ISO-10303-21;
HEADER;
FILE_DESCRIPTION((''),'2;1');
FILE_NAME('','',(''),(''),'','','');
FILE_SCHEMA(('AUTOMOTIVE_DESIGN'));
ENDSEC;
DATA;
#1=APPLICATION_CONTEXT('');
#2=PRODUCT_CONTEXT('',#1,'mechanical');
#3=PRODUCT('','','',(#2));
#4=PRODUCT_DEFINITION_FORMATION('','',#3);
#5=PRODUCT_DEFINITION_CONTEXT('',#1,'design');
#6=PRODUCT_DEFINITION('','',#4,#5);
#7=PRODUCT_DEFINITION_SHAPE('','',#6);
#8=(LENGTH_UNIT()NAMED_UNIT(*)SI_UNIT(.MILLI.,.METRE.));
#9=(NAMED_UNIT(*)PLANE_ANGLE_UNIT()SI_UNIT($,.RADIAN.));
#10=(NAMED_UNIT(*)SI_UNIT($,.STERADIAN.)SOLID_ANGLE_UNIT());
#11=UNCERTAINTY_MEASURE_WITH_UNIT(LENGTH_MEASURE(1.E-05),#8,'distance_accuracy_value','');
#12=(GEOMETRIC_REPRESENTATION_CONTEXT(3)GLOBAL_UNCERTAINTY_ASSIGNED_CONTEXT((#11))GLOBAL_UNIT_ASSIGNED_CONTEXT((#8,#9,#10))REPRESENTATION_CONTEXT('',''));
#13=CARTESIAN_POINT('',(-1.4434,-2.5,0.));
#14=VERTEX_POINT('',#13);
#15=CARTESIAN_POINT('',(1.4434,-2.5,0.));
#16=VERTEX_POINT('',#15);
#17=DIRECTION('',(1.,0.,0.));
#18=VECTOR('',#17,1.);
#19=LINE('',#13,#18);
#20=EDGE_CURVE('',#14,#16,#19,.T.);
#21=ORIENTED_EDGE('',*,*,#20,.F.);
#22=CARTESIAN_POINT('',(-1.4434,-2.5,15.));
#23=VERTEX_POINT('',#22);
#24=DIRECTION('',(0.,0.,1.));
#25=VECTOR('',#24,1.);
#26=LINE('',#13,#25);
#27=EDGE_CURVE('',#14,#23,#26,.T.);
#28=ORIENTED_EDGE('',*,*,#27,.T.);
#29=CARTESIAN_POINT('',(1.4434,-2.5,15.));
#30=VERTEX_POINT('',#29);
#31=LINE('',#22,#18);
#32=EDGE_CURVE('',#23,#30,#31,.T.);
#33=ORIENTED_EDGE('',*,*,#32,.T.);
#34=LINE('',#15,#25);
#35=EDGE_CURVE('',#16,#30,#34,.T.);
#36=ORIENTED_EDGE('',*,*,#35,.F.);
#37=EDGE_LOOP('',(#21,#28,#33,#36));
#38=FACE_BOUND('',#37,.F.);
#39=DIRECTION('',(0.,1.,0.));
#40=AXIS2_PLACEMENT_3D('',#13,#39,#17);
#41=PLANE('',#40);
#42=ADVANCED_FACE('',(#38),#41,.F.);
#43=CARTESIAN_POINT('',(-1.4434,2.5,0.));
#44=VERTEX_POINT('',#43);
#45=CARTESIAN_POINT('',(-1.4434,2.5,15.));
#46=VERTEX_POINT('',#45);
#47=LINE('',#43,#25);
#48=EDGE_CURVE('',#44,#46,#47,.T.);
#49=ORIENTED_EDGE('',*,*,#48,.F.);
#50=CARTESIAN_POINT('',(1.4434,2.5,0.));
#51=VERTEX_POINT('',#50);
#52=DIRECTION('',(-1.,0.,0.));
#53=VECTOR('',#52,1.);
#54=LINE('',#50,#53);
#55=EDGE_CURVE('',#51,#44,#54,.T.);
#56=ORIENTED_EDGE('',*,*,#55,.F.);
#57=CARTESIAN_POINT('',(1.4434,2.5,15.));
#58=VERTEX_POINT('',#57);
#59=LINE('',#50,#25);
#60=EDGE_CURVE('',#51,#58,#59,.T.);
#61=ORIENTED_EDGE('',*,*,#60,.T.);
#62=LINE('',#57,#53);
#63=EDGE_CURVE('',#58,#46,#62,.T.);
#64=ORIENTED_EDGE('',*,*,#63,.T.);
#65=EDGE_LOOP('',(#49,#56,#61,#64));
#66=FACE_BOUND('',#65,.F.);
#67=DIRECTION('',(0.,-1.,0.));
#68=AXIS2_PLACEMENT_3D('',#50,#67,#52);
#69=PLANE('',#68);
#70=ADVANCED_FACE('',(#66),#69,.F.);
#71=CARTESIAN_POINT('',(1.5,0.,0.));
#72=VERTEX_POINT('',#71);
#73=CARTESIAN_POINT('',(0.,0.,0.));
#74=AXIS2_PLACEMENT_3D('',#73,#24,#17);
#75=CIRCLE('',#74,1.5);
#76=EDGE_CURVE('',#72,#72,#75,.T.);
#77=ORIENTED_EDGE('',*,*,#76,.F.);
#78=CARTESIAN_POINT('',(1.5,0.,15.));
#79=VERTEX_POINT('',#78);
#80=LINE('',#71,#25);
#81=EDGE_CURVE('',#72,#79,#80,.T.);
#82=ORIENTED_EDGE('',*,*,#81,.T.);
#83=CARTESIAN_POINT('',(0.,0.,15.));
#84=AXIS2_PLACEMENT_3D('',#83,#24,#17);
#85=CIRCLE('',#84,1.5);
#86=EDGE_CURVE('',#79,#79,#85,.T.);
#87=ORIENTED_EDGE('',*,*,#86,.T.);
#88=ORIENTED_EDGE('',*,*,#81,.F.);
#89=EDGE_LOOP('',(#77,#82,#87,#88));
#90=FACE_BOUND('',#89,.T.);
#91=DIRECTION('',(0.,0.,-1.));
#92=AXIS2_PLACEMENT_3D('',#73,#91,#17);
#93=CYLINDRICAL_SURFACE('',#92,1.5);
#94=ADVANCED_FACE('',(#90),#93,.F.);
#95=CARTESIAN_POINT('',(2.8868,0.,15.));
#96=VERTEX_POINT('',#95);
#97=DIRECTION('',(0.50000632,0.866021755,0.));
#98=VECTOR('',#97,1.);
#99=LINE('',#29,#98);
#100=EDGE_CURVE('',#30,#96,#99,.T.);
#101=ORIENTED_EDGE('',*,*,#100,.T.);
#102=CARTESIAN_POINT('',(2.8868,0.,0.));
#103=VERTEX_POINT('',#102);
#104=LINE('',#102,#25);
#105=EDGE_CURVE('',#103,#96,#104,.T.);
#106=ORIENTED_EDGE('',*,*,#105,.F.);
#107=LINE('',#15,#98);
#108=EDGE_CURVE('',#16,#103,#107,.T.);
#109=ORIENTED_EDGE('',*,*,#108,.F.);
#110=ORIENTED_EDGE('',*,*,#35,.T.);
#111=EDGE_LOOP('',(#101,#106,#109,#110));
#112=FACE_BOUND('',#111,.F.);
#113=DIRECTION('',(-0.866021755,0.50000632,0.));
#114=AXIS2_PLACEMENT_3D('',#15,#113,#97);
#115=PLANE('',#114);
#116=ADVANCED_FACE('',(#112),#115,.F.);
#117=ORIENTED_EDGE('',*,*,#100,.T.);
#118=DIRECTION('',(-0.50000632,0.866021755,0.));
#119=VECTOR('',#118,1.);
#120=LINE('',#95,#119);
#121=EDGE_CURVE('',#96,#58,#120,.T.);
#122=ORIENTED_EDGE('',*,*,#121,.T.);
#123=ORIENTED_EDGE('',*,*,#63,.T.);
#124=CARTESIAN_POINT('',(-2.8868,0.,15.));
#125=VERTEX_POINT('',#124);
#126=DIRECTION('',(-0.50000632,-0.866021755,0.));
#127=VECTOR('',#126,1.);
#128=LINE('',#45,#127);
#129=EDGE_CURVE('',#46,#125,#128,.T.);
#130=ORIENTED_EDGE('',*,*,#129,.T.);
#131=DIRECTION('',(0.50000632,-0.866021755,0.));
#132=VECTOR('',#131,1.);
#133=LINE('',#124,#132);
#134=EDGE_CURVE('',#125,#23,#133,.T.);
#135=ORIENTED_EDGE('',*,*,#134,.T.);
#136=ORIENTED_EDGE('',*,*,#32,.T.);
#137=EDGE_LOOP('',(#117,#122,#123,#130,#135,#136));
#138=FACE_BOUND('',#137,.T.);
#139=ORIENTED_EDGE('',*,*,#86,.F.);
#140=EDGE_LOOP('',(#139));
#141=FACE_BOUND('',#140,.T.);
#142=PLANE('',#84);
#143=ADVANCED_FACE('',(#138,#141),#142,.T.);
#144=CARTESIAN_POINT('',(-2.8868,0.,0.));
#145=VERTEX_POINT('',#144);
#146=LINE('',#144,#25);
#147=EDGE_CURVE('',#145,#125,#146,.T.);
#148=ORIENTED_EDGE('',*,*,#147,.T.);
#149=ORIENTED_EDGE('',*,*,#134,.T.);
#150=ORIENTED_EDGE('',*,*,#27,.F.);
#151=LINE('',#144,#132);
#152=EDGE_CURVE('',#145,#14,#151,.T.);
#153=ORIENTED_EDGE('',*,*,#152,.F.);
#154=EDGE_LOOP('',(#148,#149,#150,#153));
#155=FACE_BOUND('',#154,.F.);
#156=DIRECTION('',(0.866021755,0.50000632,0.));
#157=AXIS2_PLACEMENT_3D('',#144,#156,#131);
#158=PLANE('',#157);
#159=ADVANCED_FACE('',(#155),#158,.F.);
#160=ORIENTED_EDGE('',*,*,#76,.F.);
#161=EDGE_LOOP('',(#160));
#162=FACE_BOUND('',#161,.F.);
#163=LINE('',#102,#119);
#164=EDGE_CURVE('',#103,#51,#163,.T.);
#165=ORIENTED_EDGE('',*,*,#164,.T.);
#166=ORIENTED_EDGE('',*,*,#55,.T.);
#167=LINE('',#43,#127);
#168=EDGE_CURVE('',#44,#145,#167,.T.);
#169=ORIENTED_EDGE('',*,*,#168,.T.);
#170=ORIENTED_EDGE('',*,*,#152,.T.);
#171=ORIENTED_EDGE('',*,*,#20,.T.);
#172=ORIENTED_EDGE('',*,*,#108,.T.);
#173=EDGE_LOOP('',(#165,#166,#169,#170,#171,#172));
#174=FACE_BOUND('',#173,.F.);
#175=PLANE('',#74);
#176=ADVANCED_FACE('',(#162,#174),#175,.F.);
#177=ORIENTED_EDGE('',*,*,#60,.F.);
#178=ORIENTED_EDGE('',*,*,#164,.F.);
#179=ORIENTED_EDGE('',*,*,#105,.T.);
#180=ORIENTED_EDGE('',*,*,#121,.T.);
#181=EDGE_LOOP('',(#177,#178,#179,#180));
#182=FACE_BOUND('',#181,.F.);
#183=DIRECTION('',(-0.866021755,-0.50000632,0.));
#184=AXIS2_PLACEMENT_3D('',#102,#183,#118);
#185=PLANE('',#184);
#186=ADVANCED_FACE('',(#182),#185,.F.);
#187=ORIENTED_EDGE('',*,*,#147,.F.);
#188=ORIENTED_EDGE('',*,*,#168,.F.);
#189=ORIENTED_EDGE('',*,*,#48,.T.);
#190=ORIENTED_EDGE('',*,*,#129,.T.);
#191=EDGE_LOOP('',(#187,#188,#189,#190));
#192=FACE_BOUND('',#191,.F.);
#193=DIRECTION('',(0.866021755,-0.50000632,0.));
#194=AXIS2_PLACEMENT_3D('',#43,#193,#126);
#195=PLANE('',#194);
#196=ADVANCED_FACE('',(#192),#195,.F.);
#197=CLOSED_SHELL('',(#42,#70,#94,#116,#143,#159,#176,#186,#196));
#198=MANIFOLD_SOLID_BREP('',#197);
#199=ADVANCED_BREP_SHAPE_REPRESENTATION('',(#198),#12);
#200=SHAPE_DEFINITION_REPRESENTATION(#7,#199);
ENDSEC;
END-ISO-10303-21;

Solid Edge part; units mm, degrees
sketch "Sketch1" plane through (0, 0, 0) normal (0, 0, 1) x (1, 0, 0)
  circle A0 centre (0, 0) radius 1.5
  line L0 (-1.4434, 2.5) -> (-2.8868, 0)
  line L1 (-2.8868, 0) -> (-1.4434, -2.5)
  line L2 (-1.4434, -2.5) -> (1.4434, -2.5)
  line L3 (1.4434, -2.5) -> (2.8868, 0)
  line L4 (2.8868, 0) -> (1.4434, 2.5)
  line L5 (1.4434, 2.5) -> (-1.4434, 2.5)
extrude "Protrusion1" add sketch "Sketch1" along normal blind 15
